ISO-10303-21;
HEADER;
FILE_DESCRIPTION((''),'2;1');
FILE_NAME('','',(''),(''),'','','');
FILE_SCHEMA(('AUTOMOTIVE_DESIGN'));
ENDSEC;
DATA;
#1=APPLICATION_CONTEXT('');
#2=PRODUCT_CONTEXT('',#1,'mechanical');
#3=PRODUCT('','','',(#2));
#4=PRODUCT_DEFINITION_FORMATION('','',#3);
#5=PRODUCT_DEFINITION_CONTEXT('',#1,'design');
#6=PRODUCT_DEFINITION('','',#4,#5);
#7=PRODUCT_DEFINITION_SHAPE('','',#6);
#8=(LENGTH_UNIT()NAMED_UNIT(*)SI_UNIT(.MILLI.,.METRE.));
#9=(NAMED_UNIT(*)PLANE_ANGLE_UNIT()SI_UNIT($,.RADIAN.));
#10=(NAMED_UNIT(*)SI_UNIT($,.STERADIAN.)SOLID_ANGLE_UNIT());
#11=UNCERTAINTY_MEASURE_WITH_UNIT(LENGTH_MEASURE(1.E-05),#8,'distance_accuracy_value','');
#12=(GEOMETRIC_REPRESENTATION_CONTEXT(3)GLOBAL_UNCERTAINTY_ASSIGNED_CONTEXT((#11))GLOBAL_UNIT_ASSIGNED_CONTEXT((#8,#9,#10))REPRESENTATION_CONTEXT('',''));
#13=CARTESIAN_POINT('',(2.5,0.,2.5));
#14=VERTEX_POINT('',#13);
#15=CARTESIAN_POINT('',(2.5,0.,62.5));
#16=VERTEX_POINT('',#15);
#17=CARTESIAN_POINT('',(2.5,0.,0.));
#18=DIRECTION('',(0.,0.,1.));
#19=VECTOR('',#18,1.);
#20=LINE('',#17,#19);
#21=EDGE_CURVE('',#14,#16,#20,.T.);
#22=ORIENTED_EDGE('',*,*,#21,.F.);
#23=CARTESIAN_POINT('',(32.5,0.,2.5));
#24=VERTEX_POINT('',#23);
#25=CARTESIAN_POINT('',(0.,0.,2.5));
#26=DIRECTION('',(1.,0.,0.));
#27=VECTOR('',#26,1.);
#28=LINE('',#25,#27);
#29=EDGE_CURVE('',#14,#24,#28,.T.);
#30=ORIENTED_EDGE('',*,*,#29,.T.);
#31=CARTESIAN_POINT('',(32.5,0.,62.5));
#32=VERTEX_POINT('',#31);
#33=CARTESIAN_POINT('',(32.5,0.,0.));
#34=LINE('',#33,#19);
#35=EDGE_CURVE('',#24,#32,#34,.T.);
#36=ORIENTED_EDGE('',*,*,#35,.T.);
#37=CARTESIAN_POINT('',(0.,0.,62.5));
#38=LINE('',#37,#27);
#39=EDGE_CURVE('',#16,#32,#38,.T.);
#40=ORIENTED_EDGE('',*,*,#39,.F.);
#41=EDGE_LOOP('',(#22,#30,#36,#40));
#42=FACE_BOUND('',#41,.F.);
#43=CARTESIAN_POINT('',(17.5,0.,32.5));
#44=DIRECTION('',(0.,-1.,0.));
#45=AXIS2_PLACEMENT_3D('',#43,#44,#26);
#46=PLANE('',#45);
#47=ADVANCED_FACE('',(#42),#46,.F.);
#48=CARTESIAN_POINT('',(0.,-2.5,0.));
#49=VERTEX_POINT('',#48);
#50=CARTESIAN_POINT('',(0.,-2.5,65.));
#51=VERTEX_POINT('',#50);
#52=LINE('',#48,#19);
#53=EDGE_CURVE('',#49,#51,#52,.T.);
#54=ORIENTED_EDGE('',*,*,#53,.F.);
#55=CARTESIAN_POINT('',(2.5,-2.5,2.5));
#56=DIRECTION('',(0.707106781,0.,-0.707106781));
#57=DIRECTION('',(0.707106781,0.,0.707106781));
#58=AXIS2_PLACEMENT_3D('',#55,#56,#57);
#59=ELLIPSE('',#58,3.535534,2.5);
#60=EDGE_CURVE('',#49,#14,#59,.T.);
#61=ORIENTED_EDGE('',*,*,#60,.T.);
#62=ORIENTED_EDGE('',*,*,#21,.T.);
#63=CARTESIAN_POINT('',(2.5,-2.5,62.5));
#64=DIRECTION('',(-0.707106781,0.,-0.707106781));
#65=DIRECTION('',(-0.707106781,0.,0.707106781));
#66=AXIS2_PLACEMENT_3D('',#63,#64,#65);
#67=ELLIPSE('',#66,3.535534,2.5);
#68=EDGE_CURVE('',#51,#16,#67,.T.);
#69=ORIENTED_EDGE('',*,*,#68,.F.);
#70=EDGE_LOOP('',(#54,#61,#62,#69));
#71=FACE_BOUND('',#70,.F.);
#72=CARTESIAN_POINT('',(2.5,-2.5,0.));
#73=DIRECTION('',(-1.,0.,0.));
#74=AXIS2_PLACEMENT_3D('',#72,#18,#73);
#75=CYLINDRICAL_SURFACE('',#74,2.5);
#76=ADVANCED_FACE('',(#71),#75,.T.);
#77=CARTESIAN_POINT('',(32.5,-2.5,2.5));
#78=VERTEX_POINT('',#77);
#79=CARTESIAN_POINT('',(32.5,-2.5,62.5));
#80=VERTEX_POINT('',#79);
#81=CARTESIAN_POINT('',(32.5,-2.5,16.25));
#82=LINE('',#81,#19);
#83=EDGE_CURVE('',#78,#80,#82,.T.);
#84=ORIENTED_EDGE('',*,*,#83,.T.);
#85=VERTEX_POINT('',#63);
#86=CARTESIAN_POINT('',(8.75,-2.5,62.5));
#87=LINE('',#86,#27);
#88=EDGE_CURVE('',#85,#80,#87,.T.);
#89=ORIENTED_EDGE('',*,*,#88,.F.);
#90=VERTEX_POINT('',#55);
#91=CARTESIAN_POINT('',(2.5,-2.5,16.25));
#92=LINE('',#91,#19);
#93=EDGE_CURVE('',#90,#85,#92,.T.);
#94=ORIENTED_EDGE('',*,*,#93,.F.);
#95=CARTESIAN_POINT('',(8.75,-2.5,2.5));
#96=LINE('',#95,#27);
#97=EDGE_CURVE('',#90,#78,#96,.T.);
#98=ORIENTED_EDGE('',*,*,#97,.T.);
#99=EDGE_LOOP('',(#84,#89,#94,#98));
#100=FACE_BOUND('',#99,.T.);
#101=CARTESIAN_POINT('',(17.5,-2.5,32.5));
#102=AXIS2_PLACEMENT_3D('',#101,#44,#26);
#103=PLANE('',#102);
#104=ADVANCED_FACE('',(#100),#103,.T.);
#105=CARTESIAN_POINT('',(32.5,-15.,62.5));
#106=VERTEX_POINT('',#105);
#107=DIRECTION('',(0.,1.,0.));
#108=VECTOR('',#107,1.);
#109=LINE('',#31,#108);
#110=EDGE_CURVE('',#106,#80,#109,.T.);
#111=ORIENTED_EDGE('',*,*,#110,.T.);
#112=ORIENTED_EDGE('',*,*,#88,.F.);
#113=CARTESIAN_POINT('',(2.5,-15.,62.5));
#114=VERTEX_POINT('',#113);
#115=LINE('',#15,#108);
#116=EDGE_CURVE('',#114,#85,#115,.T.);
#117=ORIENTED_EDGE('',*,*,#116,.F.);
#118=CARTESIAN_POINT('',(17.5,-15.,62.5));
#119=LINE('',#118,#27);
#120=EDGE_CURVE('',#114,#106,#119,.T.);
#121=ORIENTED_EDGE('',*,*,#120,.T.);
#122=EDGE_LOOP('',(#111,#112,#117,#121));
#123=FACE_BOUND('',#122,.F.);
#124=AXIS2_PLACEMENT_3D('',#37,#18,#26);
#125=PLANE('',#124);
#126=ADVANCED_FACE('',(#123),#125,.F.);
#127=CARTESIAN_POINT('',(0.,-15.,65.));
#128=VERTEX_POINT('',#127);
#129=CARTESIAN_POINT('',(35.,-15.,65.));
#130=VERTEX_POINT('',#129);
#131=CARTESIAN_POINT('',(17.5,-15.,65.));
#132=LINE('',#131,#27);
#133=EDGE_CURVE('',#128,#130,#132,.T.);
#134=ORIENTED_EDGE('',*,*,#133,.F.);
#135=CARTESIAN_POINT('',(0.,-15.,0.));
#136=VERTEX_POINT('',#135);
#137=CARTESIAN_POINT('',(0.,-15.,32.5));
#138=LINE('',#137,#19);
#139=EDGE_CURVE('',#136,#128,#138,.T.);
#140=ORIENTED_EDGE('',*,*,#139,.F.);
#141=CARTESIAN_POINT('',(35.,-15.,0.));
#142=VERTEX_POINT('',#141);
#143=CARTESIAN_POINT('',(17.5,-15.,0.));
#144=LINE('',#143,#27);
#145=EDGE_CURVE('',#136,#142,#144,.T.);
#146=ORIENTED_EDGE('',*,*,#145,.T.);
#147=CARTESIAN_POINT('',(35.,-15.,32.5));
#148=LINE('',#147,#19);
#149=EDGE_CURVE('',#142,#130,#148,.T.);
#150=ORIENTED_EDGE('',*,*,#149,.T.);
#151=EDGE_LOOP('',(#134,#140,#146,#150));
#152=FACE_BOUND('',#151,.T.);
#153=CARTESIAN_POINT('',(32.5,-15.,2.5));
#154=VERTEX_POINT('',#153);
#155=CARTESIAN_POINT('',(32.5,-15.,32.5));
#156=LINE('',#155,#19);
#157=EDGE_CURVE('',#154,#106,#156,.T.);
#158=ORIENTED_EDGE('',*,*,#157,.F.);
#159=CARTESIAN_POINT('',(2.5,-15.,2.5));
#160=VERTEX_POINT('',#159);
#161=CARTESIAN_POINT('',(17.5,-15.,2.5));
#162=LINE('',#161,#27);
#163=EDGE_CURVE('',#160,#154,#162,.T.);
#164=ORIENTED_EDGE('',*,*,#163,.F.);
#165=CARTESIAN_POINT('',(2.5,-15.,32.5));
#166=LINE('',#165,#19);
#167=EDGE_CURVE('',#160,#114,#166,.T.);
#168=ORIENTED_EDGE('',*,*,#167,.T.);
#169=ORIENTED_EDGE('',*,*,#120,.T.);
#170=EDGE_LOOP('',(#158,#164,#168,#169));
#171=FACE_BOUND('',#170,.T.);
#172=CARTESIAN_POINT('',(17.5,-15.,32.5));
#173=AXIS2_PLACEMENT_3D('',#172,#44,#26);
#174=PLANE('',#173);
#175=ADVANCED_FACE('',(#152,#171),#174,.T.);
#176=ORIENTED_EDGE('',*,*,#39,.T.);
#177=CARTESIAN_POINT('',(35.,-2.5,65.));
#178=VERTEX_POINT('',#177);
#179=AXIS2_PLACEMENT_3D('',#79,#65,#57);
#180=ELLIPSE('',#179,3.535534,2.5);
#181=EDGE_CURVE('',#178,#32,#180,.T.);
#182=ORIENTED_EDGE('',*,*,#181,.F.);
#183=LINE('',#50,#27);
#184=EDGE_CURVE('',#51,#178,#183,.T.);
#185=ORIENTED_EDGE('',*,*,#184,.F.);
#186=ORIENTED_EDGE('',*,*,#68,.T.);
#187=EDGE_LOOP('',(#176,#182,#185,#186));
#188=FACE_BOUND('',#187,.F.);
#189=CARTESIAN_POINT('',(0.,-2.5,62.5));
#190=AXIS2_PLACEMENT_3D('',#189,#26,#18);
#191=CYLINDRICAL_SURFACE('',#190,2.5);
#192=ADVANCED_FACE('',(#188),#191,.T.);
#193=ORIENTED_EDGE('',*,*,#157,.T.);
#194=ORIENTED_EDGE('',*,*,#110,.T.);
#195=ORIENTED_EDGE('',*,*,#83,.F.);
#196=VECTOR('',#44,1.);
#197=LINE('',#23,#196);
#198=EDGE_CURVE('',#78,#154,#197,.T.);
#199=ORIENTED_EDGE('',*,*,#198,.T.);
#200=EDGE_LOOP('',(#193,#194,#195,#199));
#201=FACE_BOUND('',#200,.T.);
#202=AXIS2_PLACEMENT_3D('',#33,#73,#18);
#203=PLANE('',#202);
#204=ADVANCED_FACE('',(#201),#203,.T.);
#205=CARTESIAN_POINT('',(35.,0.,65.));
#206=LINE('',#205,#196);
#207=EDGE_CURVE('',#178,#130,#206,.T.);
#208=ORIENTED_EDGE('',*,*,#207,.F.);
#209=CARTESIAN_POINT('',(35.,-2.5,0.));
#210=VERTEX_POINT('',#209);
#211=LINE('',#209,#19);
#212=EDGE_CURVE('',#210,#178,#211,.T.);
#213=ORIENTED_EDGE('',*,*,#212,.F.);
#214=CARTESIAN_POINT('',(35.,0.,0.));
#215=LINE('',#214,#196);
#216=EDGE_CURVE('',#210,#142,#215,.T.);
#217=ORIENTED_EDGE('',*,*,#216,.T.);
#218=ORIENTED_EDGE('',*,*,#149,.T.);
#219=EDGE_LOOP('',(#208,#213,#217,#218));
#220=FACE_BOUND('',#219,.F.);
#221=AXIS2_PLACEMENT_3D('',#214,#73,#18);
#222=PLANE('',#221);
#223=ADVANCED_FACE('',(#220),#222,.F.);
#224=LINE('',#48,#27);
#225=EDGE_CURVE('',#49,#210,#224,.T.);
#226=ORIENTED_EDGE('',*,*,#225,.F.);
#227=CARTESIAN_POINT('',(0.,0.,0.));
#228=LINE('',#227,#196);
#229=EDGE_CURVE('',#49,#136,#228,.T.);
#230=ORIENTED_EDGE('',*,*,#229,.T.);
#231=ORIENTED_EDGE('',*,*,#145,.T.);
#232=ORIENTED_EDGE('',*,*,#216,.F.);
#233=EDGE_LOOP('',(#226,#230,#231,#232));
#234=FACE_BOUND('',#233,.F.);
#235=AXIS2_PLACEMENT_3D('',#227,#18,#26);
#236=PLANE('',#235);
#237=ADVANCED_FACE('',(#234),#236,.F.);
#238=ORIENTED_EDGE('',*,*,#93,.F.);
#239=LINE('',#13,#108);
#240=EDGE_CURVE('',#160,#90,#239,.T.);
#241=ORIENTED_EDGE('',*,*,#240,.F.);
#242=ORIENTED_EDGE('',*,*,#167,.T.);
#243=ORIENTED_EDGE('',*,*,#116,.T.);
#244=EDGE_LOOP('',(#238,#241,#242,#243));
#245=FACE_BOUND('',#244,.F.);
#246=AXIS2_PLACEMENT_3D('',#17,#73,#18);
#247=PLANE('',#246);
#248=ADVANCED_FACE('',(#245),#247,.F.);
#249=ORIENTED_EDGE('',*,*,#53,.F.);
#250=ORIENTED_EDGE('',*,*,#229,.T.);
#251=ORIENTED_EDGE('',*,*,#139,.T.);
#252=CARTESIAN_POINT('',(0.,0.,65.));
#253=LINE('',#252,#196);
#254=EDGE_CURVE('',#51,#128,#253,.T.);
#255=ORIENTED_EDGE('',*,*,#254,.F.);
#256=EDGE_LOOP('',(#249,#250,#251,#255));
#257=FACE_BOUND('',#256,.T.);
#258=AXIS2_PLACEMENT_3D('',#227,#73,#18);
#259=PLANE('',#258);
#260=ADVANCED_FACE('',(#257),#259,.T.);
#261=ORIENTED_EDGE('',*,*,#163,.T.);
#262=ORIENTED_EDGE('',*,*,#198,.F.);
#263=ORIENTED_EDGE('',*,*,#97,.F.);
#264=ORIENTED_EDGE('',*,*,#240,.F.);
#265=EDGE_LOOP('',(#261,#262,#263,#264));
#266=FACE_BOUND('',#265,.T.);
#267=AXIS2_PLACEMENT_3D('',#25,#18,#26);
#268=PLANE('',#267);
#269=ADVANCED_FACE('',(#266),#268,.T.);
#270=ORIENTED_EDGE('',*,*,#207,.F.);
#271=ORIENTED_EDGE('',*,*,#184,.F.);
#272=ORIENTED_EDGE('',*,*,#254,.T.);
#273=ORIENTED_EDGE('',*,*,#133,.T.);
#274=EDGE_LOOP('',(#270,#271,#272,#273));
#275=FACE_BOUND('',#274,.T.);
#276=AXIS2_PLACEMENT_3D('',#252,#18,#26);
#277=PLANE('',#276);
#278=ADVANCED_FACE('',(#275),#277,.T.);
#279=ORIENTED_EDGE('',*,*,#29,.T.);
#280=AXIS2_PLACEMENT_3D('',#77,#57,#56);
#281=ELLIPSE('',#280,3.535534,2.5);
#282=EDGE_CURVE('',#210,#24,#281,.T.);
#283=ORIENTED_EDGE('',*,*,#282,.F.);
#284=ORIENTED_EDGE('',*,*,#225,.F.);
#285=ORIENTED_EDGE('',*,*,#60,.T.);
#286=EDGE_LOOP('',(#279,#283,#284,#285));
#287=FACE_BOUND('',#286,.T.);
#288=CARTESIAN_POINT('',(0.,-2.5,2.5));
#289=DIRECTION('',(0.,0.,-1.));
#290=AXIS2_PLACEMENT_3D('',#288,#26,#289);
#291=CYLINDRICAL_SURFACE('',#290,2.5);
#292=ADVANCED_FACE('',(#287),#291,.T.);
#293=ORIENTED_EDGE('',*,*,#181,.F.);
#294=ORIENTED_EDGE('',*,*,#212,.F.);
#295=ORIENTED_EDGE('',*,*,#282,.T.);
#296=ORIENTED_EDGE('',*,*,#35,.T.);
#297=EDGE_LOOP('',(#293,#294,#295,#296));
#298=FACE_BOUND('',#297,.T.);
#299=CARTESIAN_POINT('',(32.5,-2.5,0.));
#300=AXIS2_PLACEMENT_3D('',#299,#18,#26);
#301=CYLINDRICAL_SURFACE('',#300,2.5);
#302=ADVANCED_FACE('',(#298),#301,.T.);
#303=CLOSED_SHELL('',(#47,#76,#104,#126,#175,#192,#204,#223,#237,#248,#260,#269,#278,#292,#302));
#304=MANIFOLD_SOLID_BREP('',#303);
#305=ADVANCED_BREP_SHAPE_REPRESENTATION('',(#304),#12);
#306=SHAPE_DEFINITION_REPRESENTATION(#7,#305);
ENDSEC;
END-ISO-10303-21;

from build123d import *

# Parameters (mm, degrees)
F0_W     = 35
F0_H     = 65
F1_DEPTH = 15
F2_T     = -2.5
F3_R     = 2.5


with BuildPart() as f1:
    # F0 (on Front) → F1 (new body)
    with BuildSketch(Plane.XZ):
        with Locations((17.5, 32.5)):
            Rectangle(F0_W, F0_H)
    extrude(amount=F1_DEPTH)

    # F2
    f2_openings = [f1.faces().sort_by_distance(p)[0] for p in [
        (17.5, -15, 32.5),
    ]]
    offset(amount=F2_T, openings=f2_openings)

    # F3
    f3_edges = [f1.edges().sort_by_distance(p)[0] for p in [
        (0, 0, 32.5),
        (17.5, 0, 0),
        (35, 0, 32.5),
        (17.5, 0, 65),
    ]]
    fillet(f3_edges, radius=F3_R)


solid = f1.part
